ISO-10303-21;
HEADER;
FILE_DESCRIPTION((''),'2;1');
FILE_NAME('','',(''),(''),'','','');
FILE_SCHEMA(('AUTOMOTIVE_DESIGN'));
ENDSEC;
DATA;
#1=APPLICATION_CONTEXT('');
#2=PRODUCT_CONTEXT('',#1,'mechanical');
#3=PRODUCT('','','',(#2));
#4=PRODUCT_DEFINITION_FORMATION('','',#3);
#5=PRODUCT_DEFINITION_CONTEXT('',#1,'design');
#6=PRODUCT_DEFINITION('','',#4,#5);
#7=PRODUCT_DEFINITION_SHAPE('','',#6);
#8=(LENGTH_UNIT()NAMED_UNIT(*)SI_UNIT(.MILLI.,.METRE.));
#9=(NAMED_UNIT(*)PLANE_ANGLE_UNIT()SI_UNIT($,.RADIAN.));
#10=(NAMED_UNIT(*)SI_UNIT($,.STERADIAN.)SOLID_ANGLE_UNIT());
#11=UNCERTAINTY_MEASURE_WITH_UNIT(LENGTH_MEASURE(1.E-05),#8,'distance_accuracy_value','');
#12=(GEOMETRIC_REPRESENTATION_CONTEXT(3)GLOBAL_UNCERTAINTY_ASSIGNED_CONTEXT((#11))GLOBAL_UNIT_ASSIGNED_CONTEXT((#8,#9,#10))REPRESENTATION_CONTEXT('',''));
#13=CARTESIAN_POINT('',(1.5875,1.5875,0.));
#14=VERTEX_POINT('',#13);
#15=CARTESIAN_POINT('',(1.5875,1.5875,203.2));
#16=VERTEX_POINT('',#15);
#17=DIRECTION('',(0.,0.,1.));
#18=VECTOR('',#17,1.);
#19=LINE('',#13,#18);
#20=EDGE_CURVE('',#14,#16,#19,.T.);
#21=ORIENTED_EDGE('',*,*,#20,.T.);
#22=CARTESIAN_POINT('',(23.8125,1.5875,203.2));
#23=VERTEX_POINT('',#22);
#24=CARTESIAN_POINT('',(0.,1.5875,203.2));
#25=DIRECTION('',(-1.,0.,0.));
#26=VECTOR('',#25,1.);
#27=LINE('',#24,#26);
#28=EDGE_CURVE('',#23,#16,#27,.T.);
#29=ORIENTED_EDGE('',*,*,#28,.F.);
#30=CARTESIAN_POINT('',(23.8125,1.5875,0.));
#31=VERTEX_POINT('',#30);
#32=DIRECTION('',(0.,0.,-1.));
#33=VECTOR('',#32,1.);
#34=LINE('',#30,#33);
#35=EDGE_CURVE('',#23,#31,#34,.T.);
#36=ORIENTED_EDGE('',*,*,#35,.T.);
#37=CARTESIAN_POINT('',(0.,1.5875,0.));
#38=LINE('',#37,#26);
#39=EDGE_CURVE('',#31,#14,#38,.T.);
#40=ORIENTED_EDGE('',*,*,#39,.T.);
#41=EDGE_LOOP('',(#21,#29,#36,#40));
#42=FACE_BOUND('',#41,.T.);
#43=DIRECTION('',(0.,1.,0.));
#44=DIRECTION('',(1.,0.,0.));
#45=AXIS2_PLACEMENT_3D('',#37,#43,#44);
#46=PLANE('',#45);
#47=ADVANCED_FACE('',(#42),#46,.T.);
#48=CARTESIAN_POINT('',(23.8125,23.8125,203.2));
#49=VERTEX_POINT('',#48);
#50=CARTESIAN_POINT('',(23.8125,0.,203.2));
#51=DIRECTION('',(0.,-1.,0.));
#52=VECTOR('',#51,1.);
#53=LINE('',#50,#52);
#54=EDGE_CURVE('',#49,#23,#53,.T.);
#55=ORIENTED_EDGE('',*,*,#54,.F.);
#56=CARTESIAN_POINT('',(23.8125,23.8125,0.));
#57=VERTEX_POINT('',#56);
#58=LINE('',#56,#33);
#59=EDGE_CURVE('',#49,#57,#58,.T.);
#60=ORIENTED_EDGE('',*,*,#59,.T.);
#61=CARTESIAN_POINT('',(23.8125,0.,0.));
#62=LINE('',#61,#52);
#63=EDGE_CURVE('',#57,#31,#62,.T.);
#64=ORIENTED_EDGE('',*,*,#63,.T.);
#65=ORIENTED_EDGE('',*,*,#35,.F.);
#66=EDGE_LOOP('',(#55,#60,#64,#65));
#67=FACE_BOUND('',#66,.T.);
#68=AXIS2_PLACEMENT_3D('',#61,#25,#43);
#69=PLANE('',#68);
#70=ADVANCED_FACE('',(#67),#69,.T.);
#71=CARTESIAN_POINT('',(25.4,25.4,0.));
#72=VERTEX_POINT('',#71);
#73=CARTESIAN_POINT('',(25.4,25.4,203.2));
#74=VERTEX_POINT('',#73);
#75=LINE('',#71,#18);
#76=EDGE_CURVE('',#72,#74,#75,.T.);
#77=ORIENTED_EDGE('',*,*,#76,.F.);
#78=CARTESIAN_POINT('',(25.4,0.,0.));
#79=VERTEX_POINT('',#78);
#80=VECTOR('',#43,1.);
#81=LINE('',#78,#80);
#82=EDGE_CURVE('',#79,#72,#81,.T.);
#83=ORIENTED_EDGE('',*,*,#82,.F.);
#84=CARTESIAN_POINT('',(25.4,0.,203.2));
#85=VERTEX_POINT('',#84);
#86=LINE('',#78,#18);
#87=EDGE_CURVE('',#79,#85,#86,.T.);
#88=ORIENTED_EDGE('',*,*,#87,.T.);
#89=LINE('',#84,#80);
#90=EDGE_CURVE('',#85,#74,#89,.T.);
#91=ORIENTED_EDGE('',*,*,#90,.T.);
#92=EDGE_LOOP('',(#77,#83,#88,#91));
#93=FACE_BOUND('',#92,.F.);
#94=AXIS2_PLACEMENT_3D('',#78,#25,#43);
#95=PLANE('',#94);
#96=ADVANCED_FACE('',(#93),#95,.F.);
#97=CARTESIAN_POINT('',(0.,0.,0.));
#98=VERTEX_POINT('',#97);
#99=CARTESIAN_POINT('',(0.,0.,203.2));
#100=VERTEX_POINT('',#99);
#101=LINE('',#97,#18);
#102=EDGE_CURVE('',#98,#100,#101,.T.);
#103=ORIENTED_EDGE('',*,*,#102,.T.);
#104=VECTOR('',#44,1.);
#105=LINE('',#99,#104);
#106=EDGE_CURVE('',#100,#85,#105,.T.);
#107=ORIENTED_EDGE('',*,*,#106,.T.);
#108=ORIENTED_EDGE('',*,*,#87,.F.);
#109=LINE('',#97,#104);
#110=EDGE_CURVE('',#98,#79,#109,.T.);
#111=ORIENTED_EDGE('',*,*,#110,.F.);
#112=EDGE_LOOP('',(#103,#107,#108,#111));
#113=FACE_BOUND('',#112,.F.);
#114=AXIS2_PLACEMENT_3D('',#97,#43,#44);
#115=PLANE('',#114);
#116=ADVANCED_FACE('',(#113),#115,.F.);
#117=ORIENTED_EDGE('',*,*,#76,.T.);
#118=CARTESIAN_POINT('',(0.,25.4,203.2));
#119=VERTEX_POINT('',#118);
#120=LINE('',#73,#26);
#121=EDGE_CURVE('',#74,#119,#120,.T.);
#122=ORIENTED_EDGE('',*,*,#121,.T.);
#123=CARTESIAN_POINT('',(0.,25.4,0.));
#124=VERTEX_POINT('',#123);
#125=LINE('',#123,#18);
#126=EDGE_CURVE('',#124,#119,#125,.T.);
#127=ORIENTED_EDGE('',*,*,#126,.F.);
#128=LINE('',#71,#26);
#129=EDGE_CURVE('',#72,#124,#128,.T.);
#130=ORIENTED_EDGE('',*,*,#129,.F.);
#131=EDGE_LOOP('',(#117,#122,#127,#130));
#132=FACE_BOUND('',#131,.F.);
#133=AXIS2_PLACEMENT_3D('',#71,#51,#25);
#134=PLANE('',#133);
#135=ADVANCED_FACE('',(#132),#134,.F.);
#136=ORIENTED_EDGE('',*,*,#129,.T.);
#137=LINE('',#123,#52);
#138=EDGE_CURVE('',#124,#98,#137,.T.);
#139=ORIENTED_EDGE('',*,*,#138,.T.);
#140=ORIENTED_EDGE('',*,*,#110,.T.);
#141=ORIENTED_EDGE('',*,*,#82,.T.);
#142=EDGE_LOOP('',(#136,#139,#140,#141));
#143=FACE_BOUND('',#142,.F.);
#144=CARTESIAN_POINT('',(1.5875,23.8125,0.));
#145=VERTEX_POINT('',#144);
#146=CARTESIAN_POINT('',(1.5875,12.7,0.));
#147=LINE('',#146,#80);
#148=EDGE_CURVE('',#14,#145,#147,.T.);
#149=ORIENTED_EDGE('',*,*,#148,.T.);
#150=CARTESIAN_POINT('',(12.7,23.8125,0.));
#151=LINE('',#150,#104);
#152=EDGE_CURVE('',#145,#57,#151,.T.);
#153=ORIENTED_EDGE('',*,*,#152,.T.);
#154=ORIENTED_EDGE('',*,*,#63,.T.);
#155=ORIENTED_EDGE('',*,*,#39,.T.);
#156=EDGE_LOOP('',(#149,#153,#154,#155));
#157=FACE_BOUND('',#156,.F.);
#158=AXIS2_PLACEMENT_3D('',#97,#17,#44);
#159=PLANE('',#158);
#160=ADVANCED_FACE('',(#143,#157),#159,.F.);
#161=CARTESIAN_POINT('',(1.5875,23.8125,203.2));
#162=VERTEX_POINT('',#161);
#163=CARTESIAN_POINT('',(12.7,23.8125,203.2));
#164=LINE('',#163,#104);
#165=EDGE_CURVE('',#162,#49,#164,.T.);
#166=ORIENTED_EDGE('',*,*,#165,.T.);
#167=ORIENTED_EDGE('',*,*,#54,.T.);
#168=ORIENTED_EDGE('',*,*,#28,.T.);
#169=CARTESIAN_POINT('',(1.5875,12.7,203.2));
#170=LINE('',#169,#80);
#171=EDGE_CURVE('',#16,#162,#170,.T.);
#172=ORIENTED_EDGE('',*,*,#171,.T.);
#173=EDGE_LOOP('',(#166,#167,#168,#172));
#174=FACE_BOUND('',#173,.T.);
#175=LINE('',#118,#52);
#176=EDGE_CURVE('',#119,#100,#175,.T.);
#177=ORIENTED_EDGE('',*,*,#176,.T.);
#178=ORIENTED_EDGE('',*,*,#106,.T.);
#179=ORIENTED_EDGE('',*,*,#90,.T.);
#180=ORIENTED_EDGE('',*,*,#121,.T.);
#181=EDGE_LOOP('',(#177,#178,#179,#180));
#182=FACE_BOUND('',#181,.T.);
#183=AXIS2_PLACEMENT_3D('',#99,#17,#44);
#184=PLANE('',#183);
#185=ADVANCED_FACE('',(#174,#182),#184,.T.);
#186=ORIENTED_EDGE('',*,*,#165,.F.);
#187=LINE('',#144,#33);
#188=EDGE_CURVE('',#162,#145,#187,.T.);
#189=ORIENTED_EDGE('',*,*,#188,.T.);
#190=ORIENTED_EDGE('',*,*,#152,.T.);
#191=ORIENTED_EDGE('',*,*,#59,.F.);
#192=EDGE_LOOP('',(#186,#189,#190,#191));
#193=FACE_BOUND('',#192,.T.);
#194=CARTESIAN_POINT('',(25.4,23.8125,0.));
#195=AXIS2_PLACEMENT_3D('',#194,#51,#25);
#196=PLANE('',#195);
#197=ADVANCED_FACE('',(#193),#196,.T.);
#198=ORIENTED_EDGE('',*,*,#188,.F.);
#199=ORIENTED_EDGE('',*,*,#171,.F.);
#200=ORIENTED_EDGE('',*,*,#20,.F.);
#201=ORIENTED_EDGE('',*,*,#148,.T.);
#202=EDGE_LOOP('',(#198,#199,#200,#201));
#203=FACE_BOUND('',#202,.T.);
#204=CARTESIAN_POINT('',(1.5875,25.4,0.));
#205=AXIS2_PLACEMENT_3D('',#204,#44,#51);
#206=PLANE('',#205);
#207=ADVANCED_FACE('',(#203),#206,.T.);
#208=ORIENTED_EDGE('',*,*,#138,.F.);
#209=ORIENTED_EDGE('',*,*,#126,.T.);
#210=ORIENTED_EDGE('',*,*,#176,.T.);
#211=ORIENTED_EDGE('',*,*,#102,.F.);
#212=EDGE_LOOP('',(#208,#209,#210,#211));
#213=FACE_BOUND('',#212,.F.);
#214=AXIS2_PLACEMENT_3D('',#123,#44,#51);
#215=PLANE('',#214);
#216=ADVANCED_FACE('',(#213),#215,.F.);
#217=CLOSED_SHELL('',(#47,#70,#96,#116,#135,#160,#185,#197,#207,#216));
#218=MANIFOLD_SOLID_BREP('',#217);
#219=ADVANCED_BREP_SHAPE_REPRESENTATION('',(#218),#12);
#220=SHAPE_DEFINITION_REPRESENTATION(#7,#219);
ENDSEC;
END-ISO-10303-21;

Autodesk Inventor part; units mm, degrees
ref_plane "YZ Plane" through (0, 0, 0) normal (1, 0, 0) x (0, 1, 0)
ref_plane "XZ Plane" through (0, 0, 0) normal (0, 1, 0) x (-1, 0, 0)
ref_plane "XY Plane" through (0, 0, 0) normal (0, 0, 1) x (1, 0, 0)
sketch "Sketch1" plane through (0, 0, 0) normal (0, 0, 1) x (1, 0, 0)
  line L0 (0, 0) -> (25.4, 0)
  line L1 (25.4, 0) -> (25.4, 25.4)
  line L2 (25.4, 25.4) -> (0, 25.4)
  line L3 (0, 25.4) -> (0, 0)
  dimension "d0" = 25.4
  dimension "d1" = 25.4
extrude "Extrusion1" add sketch "Sketch1" along normal blind 203.2
shell "Shell1" thickness 1.5875 removed faces 2 at (8.4667, 16.9333, 0) at (8.4667, 16.9333, 203.2)
properties part number "FrontBumperRail" material "Aluminum-6061"
